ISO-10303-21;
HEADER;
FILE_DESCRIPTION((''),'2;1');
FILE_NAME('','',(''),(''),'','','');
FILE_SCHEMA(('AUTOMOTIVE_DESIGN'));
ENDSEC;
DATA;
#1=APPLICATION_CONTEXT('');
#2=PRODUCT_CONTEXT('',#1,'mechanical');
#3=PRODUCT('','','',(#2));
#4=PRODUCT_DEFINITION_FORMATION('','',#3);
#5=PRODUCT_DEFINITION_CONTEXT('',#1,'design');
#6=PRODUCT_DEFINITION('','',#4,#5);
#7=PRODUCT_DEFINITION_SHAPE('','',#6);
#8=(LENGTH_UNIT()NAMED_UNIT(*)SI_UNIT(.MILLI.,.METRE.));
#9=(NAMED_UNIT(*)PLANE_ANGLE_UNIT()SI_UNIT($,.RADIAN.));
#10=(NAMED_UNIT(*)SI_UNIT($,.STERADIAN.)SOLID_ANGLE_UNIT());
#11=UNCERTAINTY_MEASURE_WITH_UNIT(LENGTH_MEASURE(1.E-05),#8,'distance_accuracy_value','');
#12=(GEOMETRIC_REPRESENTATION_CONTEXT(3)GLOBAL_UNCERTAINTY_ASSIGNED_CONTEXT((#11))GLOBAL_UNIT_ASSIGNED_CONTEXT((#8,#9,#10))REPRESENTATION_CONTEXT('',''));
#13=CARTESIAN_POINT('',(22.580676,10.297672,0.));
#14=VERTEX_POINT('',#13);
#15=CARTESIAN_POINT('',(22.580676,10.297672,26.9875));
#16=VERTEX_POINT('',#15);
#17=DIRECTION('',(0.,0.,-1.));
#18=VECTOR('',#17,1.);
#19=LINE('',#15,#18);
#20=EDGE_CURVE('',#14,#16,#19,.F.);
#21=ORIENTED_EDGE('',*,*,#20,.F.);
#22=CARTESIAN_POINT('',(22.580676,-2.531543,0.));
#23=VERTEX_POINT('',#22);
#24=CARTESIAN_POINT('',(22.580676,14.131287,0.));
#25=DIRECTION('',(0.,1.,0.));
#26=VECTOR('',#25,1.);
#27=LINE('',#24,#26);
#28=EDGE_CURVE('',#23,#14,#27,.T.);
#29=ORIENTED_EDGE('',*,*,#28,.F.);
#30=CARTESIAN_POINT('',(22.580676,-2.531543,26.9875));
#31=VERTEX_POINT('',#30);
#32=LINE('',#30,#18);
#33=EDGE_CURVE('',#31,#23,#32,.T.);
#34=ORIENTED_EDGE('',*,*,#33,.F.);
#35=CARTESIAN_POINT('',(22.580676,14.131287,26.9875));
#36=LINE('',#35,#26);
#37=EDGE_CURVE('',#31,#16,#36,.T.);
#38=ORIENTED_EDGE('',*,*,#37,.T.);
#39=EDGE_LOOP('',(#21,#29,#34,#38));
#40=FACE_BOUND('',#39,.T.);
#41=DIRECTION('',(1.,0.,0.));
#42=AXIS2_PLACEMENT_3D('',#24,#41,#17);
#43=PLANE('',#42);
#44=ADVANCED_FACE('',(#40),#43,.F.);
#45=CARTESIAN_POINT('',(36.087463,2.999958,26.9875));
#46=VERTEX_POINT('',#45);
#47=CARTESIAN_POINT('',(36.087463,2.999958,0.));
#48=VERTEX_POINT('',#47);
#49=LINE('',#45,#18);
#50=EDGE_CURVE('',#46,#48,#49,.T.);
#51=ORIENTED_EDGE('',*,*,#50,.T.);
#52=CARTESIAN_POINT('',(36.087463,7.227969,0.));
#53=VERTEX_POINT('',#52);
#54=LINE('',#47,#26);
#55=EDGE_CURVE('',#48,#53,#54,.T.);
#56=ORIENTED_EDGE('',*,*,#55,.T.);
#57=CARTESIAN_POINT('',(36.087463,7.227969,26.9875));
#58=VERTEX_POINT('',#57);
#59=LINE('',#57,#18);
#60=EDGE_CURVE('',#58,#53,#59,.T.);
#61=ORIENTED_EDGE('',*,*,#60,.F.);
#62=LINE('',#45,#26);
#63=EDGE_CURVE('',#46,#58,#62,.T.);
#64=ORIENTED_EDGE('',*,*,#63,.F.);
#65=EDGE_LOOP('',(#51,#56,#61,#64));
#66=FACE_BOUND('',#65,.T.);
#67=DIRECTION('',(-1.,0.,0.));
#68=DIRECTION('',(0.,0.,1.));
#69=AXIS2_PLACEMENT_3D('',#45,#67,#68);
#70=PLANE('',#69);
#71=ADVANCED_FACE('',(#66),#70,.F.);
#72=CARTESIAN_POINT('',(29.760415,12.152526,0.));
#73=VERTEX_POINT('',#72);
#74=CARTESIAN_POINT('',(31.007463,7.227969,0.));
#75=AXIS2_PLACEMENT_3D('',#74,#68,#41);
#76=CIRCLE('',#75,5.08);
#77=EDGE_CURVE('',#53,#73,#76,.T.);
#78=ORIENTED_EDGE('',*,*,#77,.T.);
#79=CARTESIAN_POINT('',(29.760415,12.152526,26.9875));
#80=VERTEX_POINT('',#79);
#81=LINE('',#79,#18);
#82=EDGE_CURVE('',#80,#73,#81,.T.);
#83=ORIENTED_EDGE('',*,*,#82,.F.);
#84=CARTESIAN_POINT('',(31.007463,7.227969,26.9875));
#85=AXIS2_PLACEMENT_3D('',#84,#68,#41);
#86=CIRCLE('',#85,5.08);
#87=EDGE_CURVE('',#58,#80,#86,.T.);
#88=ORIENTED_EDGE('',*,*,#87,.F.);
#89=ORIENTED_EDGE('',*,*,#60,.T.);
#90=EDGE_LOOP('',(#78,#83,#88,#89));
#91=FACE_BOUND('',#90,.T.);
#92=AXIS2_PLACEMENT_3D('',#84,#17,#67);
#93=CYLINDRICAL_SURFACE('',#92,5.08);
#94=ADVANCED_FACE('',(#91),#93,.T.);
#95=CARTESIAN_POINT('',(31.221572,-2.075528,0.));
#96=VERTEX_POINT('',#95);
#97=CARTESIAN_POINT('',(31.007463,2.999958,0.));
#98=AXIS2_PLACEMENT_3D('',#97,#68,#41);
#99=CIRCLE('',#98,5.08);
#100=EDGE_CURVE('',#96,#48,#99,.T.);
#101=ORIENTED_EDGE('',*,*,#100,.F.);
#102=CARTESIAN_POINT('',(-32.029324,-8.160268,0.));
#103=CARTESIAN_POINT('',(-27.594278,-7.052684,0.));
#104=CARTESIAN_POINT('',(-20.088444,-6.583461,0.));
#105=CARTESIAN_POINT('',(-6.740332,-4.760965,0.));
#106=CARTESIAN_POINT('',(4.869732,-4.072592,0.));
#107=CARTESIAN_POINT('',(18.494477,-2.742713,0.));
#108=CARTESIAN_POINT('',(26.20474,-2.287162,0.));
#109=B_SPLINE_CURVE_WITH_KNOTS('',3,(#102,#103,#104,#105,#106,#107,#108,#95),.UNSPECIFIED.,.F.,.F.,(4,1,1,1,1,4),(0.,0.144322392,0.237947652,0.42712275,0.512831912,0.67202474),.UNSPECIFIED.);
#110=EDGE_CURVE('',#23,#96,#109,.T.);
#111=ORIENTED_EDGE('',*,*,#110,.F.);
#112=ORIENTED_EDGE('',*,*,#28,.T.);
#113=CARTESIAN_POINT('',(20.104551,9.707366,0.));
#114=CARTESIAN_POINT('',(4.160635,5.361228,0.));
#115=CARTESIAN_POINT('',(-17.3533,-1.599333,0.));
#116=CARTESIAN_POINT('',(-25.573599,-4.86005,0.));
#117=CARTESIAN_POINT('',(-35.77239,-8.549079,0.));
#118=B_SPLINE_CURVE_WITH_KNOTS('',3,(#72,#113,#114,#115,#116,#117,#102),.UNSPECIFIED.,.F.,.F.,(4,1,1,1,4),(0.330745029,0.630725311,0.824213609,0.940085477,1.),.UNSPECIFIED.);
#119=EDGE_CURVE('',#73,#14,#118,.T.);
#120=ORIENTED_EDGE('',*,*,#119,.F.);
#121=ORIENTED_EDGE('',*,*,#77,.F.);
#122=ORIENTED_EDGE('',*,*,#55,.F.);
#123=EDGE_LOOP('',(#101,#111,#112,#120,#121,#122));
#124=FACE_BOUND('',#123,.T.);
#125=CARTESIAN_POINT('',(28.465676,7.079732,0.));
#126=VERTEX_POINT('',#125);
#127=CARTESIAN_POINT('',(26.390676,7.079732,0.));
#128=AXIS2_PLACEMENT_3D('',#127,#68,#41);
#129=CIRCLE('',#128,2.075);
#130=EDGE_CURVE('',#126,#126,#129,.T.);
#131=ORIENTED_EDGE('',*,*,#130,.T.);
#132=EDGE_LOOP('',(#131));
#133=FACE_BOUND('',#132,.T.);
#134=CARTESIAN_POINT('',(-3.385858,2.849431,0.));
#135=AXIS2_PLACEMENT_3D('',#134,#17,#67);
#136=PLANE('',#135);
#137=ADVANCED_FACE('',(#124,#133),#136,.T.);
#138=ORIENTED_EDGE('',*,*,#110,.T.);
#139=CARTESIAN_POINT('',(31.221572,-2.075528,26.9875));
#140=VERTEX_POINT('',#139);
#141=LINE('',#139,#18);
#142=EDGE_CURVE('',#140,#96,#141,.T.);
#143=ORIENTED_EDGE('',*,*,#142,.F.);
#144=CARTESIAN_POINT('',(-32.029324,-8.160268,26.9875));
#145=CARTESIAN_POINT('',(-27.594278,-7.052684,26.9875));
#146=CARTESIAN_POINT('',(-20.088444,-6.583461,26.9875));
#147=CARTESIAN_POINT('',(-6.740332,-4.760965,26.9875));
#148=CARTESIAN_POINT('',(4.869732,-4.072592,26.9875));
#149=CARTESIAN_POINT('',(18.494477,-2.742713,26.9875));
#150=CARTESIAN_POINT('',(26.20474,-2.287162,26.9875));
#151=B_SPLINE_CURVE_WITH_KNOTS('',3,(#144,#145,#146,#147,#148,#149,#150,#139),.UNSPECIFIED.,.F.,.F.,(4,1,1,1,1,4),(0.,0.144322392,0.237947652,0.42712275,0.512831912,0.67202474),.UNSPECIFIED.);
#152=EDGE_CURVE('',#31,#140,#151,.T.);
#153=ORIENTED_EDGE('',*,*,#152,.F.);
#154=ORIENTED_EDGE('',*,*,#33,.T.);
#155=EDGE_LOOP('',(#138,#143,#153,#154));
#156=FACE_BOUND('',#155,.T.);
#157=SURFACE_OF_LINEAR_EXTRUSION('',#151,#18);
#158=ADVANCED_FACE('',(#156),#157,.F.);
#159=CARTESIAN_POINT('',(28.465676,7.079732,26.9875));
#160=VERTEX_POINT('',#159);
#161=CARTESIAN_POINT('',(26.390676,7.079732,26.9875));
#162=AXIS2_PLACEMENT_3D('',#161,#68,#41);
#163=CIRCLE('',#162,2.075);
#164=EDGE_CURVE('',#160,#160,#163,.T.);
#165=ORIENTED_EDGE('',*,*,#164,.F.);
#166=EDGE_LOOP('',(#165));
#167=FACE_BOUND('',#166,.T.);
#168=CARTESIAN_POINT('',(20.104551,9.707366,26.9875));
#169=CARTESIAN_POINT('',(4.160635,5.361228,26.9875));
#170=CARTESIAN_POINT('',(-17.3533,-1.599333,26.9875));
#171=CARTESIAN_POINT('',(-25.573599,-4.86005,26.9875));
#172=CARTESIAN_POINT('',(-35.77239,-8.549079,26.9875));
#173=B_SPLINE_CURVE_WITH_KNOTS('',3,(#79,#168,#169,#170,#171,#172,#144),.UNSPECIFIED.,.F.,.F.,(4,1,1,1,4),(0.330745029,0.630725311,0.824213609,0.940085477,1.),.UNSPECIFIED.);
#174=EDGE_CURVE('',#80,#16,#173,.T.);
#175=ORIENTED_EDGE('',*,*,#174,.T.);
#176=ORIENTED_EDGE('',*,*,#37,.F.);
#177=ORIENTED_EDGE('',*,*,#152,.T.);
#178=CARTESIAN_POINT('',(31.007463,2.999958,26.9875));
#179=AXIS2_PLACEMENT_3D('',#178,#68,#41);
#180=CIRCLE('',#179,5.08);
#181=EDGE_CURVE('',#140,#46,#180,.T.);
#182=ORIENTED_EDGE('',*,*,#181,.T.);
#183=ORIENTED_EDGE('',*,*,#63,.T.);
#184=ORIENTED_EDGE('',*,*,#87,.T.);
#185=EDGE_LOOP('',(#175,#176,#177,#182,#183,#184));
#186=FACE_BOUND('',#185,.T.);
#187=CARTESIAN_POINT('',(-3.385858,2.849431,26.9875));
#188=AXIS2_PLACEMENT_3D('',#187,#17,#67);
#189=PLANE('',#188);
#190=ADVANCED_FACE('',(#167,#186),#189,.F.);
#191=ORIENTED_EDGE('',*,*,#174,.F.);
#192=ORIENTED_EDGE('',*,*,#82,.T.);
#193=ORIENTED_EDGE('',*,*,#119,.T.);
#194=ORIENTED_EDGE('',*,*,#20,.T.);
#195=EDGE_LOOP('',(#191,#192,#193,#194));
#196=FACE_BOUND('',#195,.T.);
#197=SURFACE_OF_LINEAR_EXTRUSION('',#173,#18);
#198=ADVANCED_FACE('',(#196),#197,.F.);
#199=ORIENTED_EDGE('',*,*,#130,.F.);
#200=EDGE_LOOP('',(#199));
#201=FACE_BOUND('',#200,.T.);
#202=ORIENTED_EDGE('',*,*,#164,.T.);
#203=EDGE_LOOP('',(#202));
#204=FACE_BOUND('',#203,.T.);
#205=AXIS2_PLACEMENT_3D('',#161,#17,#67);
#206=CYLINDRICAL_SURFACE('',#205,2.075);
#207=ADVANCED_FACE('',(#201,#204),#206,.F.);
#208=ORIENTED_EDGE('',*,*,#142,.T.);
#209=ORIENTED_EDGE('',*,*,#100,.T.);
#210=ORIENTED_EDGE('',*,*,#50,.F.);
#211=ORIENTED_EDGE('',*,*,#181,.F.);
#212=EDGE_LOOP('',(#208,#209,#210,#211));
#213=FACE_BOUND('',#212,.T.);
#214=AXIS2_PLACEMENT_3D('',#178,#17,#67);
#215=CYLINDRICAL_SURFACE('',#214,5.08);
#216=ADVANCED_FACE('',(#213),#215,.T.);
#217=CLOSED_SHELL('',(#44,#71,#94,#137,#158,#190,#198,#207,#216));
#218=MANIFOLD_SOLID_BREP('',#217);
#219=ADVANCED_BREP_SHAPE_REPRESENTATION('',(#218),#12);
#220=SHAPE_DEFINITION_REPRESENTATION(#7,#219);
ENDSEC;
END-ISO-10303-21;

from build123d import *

# Parameters (mm, degrees)
SKETCH1_R           = 2.075
BOSS_EXTRUDE1_DEPTH = 26.9875
SKETCH2_W           = 86.364255874
SKETCH2_H           = 34.814742066
CUT_EXTRUDE1_DEPTH  = 47.713127442


with BuildPart() as part:
    # Sketch1 → Boss-Extrude1 (new body)
    with BuildSketch(Plane.XY):
        with BuildLine():
            Line((36.087463381, 2.999957931), (36.087463381, 7.227968589))
            ThreePointArc((36.087463381, 7.227968589), (34.127671177, 11.236796761), (29.760414833, 12.152526428))
            add(Edge.make_bspline(
                [(29.760414833, 12.152526428), (20.104550549, 9.70736649), (4.160634919, 5.361227781), (-17.353300331, -1.599332571), (-25.573599276, -4.860049738), (-35.772390435, -8.549078563), (-32.029323662, -8.160268468)],
                knots=[0.330745029, 0.330745029, 0.330745029, 0.330745029, 0.630725311, 0.824213609, 0.940085477, 1, 1, 1, 1], degree=3))
            add(Edge.make_bspline(
                [(-32.029323662, -8.160268468), (-27.594277811, -7.052683566), (-20.08844374, -6.583461174), (-6.740332369, -4.760965275), (4.869732234, -4.072592428), (18.49447741, -2.742713062), (26.204740163, -2.287162162), (31.22157185, -2.075528013)],
                knots=[0, 0, 0, 0, 0.144322392, 0.237947652, 0.42712275, 0.512831912, 0.67202474, 0.67202474, 0.67202474, 0.67202474], degree=3))
            ThreePointArc((31.22157185, -2.075528013), (34.674483358, -0.515630852), (36.087463381, 2.999957931))
        make_face()
        with Locations((26.390676338, 7.079731532)):
            Circle(SKETCH1_R, mode=Mode.SUBTRACT)
    extrude(amount=BOSS_EXTRUDE1_DEPTH)

    # Sketch2 → Cut-Extrude1 (cut, through all)
    with BuildSketch(Plane.XY.offset(26.9875)):
        with Locations((-20.601451599, -3.276083686)):
            Rectangle(SKETCH2_W, SKETCH2_H)
    extrude(amount=-CUT_EXTRUDE1_DEPTH, mode=Mode.SUBTRACT)


solid = part.part
